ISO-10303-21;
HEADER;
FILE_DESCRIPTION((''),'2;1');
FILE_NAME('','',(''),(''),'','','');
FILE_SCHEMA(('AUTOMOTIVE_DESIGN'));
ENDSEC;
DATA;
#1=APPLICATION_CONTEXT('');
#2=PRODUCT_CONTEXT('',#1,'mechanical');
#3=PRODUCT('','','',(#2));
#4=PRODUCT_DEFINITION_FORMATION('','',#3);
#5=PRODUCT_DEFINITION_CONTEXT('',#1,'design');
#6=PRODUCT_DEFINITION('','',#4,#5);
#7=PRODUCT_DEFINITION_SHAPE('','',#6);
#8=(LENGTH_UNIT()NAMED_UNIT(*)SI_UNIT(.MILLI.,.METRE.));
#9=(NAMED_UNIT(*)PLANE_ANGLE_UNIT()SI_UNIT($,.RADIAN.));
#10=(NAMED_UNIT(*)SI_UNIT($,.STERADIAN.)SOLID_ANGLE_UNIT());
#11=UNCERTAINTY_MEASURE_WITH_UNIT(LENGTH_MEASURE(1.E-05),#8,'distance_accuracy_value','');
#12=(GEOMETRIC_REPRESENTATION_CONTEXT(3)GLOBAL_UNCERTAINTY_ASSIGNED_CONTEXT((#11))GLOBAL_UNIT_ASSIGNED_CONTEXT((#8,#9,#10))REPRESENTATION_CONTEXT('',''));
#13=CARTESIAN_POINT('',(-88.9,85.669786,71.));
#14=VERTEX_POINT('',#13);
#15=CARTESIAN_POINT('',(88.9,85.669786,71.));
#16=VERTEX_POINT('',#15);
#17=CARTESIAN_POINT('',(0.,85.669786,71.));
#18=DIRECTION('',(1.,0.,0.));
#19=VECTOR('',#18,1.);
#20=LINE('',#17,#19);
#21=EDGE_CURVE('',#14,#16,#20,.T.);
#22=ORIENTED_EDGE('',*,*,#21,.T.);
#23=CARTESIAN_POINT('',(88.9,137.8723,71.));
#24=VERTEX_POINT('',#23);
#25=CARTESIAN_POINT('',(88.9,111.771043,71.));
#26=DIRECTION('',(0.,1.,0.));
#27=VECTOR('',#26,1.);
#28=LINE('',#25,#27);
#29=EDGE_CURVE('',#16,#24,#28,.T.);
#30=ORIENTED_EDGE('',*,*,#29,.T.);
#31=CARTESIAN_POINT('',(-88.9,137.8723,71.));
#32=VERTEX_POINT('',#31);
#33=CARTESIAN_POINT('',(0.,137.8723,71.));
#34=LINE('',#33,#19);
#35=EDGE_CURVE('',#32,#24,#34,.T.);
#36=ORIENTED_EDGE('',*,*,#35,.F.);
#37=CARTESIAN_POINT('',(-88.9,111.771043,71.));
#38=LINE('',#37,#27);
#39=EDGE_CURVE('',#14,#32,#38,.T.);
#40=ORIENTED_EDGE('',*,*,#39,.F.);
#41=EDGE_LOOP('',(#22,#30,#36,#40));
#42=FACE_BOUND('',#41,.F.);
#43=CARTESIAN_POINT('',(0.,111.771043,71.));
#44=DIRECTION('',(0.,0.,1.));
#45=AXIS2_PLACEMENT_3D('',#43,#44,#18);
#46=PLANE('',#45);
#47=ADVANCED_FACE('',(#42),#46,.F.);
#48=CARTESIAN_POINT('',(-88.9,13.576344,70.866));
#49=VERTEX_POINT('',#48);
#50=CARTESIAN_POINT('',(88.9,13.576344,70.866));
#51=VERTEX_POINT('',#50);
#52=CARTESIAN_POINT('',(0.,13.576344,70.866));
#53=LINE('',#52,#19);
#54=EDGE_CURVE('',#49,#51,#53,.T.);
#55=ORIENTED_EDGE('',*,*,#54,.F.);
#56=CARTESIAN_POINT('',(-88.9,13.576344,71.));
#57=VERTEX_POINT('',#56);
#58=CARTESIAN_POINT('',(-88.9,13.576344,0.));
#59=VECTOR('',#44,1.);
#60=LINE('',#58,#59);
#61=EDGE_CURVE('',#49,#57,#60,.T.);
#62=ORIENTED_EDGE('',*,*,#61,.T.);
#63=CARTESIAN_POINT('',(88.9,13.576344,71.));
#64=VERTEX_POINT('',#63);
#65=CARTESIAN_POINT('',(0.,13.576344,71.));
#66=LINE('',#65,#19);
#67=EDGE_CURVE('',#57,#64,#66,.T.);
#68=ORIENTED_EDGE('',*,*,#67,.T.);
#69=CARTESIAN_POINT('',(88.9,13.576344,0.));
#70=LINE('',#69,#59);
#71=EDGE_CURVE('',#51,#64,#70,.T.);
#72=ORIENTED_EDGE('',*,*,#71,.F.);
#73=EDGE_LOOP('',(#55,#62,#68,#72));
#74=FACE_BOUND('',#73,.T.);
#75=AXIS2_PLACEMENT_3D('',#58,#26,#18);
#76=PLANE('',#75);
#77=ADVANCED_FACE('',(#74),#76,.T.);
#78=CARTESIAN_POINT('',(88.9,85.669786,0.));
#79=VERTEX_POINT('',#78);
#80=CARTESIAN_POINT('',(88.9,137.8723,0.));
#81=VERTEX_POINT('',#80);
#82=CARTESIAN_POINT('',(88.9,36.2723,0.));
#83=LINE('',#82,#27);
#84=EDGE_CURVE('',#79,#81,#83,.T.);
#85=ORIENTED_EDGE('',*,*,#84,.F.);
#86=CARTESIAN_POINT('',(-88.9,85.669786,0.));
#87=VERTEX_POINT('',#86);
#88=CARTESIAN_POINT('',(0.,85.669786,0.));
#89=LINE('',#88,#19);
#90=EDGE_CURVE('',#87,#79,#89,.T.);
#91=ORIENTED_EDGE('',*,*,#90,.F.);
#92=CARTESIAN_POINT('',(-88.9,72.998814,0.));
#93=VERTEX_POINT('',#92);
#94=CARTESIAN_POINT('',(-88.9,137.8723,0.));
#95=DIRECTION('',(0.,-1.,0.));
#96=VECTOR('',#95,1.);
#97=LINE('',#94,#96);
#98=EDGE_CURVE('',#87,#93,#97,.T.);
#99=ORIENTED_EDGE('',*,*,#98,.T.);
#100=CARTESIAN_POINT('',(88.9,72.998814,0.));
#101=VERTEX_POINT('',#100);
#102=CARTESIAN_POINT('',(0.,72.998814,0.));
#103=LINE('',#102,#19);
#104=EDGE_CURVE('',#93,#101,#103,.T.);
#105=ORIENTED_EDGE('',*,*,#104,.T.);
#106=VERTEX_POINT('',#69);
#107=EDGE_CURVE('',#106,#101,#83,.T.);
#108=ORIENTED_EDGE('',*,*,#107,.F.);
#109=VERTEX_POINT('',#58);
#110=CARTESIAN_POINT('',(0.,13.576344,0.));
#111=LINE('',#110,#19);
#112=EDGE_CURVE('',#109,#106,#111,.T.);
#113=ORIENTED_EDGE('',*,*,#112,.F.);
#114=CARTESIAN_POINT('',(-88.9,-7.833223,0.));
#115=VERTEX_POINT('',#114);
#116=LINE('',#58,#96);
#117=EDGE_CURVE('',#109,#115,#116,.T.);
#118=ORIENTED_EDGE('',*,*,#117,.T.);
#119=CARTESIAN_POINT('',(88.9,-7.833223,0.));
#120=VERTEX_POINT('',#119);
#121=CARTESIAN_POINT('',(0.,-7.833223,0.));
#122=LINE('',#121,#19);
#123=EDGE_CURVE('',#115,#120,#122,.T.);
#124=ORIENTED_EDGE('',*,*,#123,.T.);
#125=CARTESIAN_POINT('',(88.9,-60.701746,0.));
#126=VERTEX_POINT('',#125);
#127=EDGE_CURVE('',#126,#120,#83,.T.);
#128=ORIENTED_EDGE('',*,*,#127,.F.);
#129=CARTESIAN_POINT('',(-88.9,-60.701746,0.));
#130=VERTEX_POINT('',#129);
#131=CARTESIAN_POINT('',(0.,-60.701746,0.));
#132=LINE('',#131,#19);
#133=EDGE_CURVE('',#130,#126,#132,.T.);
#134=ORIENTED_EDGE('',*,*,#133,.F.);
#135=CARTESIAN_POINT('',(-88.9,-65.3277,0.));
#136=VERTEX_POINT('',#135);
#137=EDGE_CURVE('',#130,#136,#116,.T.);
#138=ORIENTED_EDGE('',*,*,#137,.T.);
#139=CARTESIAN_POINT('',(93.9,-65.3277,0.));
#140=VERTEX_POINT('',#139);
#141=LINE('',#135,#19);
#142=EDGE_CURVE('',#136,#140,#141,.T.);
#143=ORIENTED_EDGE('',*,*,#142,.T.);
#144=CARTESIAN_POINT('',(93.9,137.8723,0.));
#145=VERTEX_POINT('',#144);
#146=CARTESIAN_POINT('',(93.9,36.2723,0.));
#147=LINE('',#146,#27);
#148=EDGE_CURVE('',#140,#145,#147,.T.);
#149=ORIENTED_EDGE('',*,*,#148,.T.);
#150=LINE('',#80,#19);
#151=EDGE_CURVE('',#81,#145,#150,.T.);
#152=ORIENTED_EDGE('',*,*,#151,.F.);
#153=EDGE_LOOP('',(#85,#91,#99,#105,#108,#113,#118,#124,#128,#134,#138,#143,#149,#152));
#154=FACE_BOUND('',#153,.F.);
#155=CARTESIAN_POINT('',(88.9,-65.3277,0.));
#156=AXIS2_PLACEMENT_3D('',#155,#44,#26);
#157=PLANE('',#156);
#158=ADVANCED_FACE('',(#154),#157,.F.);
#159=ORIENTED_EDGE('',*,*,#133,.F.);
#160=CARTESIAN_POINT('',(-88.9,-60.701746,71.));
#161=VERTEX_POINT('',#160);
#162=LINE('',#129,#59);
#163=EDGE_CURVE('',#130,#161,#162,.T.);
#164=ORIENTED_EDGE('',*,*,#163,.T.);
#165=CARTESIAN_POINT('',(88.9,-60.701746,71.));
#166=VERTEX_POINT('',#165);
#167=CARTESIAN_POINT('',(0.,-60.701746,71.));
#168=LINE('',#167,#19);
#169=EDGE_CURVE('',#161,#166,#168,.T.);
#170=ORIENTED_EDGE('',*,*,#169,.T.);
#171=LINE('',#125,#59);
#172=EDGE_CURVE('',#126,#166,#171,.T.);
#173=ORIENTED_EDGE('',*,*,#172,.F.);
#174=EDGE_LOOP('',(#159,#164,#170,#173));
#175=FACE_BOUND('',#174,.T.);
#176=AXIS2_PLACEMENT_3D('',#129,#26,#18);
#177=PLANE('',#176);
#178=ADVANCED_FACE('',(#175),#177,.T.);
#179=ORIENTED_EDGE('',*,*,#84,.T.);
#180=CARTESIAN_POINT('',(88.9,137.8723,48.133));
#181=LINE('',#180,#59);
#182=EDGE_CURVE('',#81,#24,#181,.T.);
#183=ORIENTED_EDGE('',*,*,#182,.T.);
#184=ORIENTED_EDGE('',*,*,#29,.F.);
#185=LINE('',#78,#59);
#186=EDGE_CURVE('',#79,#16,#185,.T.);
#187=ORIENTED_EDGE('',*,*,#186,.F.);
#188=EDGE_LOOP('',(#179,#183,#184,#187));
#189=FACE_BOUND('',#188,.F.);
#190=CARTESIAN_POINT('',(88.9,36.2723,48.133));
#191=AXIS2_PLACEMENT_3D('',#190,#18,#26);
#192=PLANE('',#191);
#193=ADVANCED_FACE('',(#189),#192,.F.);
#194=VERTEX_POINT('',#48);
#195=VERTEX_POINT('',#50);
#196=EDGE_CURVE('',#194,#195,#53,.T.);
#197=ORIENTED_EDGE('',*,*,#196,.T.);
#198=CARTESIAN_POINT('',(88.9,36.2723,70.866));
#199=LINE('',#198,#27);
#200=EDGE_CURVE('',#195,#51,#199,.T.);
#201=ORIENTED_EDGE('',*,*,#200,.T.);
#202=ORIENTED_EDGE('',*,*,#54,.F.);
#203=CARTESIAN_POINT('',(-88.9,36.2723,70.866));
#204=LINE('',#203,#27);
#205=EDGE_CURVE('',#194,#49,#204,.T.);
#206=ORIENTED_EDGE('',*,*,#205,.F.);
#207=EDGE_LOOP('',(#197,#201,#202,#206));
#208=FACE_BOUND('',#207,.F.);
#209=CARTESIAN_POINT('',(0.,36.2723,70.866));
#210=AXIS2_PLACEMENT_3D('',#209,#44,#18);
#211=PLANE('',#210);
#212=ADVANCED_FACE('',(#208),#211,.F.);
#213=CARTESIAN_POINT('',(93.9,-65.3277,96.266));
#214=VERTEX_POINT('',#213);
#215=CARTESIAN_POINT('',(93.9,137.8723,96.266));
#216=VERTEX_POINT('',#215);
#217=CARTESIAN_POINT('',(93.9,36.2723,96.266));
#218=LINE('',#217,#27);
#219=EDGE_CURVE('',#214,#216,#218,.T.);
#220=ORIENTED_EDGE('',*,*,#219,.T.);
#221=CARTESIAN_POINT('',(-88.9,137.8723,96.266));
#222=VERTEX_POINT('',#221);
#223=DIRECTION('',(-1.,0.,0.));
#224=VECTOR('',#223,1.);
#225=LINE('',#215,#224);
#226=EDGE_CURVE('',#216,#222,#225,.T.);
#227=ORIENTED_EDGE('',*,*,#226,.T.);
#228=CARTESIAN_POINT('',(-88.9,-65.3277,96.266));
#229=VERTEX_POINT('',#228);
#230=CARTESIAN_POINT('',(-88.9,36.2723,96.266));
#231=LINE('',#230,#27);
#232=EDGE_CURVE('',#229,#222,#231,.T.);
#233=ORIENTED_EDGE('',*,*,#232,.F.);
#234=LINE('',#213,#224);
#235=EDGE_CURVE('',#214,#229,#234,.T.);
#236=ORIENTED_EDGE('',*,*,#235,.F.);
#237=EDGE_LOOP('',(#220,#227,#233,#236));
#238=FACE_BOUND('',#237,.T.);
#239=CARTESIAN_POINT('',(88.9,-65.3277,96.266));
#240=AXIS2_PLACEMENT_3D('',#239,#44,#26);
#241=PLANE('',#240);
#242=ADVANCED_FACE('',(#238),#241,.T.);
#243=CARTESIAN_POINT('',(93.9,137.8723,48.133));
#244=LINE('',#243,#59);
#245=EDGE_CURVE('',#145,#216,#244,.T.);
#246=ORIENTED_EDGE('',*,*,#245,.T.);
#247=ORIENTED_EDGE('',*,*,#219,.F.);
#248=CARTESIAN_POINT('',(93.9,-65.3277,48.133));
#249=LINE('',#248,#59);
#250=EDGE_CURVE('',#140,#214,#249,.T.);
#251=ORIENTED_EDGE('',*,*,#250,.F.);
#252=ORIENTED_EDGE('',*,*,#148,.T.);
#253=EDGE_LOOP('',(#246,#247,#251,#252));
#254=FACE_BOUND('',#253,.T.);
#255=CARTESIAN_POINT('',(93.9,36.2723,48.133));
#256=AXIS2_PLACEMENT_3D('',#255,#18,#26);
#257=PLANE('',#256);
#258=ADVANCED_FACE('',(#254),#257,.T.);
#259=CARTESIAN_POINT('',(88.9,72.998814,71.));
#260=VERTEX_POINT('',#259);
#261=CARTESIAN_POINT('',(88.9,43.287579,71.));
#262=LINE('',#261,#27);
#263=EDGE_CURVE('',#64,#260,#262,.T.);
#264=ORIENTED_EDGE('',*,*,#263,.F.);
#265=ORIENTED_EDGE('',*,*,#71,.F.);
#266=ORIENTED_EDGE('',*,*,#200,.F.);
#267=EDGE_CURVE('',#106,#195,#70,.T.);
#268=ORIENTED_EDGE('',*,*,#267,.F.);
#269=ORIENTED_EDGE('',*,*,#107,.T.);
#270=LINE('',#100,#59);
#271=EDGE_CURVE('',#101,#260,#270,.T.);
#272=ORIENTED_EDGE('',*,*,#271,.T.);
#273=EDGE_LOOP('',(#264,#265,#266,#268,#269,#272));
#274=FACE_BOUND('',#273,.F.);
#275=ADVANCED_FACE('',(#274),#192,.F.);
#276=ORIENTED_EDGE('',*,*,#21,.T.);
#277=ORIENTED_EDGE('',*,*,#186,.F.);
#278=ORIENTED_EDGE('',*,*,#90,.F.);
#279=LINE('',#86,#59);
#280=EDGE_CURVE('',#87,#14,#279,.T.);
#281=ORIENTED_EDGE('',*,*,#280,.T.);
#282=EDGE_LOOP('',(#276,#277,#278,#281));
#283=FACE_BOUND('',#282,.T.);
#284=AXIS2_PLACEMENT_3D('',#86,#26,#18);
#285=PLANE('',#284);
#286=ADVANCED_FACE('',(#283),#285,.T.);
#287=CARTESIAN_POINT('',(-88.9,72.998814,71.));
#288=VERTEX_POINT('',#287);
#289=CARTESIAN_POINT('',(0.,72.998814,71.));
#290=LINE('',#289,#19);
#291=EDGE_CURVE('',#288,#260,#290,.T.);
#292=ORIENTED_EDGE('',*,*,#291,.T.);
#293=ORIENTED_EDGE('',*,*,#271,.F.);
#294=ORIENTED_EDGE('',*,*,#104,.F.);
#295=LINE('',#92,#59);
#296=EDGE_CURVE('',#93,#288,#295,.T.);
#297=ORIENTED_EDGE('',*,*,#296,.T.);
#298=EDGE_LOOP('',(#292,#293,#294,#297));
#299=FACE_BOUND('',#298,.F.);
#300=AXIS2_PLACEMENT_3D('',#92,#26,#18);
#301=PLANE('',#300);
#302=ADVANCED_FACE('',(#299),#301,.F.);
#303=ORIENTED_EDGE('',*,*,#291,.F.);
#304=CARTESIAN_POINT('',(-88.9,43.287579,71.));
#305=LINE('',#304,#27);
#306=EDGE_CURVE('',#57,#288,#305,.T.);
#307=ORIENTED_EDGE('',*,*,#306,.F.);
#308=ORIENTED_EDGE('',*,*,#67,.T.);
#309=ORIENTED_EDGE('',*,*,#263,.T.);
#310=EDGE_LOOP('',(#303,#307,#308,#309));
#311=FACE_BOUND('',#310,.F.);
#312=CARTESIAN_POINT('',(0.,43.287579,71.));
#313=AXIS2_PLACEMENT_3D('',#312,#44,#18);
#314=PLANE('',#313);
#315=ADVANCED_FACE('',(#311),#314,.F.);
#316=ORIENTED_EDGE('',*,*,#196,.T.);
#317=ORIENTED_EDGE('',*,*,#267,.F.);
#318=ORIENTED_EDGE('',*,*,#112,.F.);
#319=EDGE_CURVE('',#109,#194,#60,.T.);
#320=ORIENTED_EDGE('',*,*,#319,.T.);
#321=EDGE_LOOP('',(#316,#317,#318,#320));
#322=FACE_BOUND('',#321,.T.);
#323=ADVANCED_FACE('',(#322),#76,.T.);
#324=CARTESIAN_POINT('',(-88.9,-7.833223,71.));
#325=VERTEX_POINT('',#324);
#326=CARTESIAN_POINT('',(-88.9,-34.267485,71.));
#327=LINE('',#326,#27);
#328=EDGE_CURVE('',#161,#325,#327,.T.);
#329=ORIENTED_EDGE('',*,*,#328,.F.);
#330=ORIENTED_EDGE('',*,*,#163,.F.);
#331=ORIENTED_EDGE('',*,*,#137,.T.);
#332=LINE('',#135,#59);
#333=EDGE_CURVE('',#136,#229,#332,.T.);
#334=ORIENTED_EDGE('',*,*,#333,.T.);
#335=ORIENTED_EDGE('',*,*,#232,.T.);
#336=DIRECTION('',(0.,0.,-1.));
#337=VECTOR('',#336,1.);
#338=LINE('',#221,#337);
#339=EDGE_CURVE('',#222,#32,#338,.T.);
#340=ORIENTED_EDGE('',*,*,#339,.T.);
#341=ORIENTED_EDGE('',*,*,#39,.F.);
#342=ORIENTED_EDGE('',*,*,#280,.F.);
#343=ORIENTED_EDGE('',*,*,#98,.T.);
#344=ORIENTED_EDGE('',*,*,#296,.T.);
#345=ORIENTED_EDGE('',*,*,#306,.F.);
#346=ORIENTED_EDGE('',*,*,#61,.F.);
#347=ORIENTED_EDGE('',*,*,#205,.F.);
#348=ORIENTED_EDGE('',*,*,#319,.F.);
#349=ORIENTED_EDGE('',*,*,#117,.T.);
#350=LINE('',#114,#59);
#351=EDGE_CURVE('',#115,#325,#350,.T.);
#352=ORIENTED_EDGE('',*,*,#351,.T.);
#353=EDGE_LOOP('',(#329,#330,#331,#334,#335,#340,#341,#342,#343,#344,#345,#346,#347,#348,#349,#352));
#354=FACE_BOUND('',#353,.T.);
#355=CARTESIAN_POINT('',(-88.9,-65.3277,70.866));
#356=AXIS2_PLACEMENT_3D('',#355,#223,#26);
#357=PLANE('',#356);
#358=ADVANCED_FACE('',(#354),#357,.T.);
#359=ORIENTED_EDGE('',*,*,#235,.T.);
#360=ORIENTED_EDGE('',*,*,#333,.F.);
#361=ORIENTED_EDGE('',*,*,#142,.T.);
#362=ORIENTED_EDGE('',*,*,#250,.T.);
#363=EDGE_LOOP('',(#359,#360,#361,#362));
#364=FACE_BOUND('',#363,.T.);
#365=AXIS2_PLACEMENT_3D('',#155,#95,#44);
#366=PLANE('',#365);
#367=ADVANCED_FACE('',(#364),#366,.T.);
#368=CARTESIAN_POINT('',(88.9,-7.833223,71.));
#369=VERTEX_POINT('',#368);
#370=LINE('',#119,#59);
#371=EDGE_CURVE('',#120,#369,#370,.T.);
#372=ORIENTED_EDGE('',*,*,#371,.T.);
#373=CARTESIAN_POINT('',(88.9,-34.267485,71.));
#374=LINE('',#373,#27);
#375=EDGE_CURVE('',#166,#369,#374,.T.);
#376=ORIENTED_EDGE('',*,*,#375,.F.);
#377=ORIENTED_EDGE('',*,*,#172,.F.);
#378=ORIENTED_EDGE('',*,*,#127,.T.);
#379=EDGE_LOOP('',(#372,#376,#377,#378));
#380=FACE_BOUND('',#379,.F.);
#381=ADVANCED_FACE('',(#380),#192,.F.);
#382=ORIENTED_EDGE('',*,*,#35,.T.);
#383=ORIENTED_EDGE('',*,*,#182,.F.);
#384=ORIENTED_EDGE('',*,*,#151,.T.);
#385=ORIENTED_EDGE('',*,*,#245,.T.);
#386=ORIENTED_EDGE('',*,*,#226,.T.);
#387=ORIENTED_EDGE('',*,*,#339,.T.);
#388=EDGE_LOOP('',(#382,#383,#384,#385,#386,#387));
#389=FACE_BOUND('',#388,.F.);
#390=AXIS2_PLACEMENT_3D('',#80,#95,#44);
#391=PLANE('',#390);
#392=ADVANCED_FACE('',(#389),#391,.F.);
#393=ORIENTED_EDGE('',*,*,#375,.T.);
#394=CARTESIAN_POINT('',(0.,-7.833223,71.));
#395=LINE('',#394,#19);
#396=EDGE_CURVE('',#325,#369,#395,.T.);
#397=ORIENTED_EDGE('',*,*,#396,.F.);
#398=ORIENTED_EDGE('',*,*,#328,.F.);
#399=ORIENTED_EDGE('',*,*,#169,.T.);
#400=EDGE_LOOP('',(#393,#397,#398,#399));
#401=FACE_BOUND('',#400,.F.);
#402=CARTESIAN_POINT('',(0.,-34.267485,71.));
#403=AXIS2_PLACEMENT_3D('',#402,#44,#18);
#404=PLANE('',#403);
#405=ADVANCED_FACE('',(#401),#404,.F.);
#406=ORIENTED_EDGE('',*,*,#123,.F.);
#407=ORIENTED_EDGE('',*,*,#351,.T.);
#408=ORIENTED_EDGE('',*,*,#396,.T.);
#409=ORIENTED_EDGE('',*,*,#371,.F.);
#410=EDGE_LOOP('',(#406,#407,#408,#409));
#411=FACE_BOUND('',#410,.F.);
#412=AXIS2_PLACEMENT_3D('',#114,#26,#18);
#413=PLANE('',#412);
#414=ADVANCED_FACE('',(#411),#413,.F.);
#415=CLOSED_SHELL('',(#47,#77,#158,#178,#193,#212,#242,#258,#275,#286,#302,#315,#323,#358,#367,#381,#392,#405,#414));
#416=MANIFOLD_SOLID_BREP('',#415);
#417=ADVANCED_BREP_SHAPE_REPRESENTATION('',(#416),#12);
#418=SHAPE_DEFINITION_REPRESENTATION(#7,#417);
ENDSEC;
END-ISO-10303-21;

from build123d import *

# Parameters (mm, degrees)
F0_W      = 177.8
F0_H      = 21.409567
F0_H_2    = 59.42247
F0_H_3    = 52.202514
F0_H_4    = 12.670972
F0_H_5    = 52.868523
F0_H_6    = 4.625954
F1_DEPTH  = 70.866
F1_FACE_W = 177.8
F1_FACE_H = 203.2
F2_DEPTH  = 25.4
F3_DEPTH  = 71
F4_W      = 203.2
F4_H      = 96.266
F5_DEPTH  = 5


with BuildPart() as f1:
    # F0 (on Top) → F1 (new body)
    with BuildSketch(Plane.XY):
        with Locations((0, 2.87156)):
            Rectangle(F0_W, F0_H)
        with Locations((0, 43.287579)):
            Rectangle(F0_W, F0_H_2)
        with Locations((0, 111.771043)):
            Rectangle(F0_W, F0_H_3)
        with Locations((0, 79.3343)):
            Rectangle(F0_W, F0_H_4)
        with Locations((0, -34.267485)):
            Rectangle(F0_W, F0_H_5)
        with Locations((0, -63.014723)):
            Rectangle(F0_W, F0_H_6)
    extrude(amount=F1_DEPTH)

    # F1_face (on face) → F2 (join)
    with BuildSketch(Plane(origin=(0, 36.2723, 70.866), x_dir=(1, 0, 0), z_dir=(0, 0, 1))):
        Rectangle(F1_FACE_W, F1_FACE_H)
    extrude(amount=F2_DEPTH)

    # F0 (on Top) → F3 (cut)
    with BuildSketch(Plane.XY):
        with Locations((0, -34.267485)):
            Rectangle(F0_W, F0_H_5)
        with Locations((0, 43.287579)):
            Rectangle(F0_W, F0_H_2)
        with Locations((0, 111.771043)):
            Rectangle(F0_W, F0_H_3)
    extrude(amount=F3_DEPTH, mode=Mode.SUBTRACT)

    # F4 (on face) → F5 (join)
    with BuildSketch(Plane.YZ.offset(88.9)):
        with Locations((36.2723, 48.133)):
            Rectangle(F4_W, F4_H)
    extrude(amount=F5_DEPTH)


solid = f1.part
